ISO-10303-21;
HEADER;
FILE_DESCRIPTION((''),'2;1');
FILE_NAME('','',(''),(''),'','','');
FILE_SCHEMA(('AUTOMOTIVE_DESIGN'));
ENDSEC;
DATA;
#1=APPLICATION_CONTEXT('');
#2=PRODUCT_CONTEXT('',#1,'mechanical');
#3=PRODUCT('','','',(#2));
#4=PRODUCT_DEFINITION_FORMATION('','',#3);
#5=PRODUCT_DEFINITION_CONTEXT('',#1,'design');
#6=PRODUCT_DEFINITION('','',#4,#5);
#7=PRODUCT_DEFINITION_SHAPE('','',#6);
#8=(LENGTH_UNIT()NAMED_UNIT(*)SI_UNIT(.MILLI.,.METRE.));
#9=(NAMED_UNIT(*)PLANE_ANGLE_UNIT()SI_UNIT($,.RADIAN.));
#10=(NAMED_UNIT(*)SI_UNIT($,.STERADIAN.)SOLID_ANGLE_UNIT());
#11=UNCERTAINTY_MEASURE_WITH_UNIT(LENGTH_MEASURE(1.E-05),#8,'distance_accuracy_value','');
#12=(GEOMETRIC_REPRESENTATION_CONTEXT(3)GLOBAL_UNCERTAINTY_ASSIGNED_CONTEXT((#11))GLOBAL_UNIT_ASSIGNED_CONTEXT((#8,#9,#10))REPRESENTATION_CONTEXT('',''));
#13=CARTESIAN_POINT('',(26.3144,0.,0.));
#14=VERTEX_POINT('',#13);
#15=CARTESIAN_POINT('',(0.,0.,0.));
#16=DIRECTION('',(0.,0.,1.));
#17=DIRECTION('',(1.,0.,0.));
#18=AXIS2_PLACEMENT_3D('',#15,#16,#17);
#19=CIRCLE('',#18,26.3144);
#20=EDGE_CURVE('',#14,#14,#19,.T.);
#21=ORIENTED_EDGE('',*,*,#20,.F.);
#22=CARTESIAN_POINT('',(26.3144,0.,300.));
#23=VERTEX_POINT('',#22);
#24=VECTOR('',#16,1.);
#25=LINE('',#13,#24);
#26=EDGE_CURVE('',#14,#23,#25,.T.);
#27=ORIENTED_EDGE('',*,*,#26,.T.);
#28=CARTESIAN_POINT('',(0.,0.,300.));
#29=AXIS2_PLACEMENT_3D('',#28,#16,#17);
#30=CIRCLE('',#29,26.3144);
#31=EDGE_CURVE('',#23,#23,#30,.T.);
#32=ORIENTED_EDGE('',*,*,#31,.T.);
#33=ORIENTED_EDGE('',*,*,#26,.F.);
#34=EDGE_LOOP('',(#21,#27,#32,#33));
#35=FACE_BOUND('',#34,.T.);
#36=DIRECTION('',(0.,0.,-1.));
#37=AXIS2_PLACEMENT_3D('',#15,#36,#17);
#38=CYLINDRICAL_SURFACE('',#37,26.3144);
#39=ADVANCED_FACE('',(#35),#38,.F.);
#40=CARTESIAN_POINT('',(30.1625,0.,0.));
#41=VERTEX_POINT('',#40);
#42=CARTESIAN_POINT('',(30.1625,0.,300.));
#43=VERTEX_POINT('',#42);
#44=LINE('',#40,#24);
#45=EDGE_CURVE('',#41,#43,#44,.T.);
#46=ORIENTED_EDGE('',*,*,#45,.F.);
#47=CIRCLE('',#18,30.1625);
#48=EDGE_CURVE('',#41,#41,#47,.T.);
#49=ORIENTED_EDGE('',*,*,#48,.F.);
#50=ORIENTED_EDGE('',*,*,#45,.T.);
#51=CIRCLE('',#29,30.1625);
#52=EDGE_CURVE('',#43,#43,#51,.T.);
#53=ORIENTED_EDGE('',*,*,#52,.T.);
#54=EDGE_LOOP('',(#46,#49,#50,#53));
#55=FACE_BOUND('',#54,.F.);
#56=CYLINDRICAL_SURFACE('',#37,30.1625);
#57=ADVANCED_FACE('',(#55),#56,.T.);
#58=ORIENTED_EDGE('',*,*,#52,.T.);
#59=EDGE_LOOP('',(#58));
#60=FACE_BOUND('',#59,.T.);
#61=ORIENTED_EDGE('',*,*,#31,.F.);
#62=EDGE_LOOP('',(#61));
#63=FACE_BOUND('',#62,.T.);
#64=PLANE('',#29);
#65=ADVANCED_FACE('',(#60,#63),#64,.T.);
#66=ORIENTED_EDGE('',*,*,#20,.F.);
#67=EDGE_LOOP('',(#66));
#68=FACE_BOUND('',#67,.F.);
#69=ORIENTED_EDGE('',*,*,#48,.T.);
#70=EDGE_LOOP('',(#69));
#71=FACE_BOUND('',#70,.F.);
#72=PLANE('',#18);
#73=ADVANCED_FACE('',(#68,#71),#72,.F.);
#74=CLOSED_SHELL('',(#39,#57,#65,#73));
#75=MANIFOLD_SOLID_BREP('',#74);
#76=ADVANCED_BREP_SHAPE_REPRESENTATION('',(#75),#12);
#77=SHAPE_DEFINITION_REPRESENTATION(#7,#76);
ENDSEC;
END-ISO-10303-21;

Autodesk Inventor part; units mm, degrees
ref_plane "YZ Plane" through (0, 0, 0) normal (1, 0, 0) x (0, 1, 0)
ref_plane "XZ Plane" through (0, 0, 0) normal (0, 1, 0) x (-1, 0, 0)
ref_plane "XY Plane" through (0, 0, 0) normal (0, 0, 1) x (1, 0, 0)
sketch "Sketch1" plane through (0, 0, 0) normal (0, 0, 1) x (1, 0, 0)
  circle A0 centre (0, 0) radius 30.1625
  circle A1 centre (0, 0) radius 26.3144
  dimension "d0" = 60.325
  dimension "d1" = 52.6288
extrude "Extrusion1" add sketch "Sketch1" along normal blind 300
properties part number "Tube" material "ABS Plastic"
